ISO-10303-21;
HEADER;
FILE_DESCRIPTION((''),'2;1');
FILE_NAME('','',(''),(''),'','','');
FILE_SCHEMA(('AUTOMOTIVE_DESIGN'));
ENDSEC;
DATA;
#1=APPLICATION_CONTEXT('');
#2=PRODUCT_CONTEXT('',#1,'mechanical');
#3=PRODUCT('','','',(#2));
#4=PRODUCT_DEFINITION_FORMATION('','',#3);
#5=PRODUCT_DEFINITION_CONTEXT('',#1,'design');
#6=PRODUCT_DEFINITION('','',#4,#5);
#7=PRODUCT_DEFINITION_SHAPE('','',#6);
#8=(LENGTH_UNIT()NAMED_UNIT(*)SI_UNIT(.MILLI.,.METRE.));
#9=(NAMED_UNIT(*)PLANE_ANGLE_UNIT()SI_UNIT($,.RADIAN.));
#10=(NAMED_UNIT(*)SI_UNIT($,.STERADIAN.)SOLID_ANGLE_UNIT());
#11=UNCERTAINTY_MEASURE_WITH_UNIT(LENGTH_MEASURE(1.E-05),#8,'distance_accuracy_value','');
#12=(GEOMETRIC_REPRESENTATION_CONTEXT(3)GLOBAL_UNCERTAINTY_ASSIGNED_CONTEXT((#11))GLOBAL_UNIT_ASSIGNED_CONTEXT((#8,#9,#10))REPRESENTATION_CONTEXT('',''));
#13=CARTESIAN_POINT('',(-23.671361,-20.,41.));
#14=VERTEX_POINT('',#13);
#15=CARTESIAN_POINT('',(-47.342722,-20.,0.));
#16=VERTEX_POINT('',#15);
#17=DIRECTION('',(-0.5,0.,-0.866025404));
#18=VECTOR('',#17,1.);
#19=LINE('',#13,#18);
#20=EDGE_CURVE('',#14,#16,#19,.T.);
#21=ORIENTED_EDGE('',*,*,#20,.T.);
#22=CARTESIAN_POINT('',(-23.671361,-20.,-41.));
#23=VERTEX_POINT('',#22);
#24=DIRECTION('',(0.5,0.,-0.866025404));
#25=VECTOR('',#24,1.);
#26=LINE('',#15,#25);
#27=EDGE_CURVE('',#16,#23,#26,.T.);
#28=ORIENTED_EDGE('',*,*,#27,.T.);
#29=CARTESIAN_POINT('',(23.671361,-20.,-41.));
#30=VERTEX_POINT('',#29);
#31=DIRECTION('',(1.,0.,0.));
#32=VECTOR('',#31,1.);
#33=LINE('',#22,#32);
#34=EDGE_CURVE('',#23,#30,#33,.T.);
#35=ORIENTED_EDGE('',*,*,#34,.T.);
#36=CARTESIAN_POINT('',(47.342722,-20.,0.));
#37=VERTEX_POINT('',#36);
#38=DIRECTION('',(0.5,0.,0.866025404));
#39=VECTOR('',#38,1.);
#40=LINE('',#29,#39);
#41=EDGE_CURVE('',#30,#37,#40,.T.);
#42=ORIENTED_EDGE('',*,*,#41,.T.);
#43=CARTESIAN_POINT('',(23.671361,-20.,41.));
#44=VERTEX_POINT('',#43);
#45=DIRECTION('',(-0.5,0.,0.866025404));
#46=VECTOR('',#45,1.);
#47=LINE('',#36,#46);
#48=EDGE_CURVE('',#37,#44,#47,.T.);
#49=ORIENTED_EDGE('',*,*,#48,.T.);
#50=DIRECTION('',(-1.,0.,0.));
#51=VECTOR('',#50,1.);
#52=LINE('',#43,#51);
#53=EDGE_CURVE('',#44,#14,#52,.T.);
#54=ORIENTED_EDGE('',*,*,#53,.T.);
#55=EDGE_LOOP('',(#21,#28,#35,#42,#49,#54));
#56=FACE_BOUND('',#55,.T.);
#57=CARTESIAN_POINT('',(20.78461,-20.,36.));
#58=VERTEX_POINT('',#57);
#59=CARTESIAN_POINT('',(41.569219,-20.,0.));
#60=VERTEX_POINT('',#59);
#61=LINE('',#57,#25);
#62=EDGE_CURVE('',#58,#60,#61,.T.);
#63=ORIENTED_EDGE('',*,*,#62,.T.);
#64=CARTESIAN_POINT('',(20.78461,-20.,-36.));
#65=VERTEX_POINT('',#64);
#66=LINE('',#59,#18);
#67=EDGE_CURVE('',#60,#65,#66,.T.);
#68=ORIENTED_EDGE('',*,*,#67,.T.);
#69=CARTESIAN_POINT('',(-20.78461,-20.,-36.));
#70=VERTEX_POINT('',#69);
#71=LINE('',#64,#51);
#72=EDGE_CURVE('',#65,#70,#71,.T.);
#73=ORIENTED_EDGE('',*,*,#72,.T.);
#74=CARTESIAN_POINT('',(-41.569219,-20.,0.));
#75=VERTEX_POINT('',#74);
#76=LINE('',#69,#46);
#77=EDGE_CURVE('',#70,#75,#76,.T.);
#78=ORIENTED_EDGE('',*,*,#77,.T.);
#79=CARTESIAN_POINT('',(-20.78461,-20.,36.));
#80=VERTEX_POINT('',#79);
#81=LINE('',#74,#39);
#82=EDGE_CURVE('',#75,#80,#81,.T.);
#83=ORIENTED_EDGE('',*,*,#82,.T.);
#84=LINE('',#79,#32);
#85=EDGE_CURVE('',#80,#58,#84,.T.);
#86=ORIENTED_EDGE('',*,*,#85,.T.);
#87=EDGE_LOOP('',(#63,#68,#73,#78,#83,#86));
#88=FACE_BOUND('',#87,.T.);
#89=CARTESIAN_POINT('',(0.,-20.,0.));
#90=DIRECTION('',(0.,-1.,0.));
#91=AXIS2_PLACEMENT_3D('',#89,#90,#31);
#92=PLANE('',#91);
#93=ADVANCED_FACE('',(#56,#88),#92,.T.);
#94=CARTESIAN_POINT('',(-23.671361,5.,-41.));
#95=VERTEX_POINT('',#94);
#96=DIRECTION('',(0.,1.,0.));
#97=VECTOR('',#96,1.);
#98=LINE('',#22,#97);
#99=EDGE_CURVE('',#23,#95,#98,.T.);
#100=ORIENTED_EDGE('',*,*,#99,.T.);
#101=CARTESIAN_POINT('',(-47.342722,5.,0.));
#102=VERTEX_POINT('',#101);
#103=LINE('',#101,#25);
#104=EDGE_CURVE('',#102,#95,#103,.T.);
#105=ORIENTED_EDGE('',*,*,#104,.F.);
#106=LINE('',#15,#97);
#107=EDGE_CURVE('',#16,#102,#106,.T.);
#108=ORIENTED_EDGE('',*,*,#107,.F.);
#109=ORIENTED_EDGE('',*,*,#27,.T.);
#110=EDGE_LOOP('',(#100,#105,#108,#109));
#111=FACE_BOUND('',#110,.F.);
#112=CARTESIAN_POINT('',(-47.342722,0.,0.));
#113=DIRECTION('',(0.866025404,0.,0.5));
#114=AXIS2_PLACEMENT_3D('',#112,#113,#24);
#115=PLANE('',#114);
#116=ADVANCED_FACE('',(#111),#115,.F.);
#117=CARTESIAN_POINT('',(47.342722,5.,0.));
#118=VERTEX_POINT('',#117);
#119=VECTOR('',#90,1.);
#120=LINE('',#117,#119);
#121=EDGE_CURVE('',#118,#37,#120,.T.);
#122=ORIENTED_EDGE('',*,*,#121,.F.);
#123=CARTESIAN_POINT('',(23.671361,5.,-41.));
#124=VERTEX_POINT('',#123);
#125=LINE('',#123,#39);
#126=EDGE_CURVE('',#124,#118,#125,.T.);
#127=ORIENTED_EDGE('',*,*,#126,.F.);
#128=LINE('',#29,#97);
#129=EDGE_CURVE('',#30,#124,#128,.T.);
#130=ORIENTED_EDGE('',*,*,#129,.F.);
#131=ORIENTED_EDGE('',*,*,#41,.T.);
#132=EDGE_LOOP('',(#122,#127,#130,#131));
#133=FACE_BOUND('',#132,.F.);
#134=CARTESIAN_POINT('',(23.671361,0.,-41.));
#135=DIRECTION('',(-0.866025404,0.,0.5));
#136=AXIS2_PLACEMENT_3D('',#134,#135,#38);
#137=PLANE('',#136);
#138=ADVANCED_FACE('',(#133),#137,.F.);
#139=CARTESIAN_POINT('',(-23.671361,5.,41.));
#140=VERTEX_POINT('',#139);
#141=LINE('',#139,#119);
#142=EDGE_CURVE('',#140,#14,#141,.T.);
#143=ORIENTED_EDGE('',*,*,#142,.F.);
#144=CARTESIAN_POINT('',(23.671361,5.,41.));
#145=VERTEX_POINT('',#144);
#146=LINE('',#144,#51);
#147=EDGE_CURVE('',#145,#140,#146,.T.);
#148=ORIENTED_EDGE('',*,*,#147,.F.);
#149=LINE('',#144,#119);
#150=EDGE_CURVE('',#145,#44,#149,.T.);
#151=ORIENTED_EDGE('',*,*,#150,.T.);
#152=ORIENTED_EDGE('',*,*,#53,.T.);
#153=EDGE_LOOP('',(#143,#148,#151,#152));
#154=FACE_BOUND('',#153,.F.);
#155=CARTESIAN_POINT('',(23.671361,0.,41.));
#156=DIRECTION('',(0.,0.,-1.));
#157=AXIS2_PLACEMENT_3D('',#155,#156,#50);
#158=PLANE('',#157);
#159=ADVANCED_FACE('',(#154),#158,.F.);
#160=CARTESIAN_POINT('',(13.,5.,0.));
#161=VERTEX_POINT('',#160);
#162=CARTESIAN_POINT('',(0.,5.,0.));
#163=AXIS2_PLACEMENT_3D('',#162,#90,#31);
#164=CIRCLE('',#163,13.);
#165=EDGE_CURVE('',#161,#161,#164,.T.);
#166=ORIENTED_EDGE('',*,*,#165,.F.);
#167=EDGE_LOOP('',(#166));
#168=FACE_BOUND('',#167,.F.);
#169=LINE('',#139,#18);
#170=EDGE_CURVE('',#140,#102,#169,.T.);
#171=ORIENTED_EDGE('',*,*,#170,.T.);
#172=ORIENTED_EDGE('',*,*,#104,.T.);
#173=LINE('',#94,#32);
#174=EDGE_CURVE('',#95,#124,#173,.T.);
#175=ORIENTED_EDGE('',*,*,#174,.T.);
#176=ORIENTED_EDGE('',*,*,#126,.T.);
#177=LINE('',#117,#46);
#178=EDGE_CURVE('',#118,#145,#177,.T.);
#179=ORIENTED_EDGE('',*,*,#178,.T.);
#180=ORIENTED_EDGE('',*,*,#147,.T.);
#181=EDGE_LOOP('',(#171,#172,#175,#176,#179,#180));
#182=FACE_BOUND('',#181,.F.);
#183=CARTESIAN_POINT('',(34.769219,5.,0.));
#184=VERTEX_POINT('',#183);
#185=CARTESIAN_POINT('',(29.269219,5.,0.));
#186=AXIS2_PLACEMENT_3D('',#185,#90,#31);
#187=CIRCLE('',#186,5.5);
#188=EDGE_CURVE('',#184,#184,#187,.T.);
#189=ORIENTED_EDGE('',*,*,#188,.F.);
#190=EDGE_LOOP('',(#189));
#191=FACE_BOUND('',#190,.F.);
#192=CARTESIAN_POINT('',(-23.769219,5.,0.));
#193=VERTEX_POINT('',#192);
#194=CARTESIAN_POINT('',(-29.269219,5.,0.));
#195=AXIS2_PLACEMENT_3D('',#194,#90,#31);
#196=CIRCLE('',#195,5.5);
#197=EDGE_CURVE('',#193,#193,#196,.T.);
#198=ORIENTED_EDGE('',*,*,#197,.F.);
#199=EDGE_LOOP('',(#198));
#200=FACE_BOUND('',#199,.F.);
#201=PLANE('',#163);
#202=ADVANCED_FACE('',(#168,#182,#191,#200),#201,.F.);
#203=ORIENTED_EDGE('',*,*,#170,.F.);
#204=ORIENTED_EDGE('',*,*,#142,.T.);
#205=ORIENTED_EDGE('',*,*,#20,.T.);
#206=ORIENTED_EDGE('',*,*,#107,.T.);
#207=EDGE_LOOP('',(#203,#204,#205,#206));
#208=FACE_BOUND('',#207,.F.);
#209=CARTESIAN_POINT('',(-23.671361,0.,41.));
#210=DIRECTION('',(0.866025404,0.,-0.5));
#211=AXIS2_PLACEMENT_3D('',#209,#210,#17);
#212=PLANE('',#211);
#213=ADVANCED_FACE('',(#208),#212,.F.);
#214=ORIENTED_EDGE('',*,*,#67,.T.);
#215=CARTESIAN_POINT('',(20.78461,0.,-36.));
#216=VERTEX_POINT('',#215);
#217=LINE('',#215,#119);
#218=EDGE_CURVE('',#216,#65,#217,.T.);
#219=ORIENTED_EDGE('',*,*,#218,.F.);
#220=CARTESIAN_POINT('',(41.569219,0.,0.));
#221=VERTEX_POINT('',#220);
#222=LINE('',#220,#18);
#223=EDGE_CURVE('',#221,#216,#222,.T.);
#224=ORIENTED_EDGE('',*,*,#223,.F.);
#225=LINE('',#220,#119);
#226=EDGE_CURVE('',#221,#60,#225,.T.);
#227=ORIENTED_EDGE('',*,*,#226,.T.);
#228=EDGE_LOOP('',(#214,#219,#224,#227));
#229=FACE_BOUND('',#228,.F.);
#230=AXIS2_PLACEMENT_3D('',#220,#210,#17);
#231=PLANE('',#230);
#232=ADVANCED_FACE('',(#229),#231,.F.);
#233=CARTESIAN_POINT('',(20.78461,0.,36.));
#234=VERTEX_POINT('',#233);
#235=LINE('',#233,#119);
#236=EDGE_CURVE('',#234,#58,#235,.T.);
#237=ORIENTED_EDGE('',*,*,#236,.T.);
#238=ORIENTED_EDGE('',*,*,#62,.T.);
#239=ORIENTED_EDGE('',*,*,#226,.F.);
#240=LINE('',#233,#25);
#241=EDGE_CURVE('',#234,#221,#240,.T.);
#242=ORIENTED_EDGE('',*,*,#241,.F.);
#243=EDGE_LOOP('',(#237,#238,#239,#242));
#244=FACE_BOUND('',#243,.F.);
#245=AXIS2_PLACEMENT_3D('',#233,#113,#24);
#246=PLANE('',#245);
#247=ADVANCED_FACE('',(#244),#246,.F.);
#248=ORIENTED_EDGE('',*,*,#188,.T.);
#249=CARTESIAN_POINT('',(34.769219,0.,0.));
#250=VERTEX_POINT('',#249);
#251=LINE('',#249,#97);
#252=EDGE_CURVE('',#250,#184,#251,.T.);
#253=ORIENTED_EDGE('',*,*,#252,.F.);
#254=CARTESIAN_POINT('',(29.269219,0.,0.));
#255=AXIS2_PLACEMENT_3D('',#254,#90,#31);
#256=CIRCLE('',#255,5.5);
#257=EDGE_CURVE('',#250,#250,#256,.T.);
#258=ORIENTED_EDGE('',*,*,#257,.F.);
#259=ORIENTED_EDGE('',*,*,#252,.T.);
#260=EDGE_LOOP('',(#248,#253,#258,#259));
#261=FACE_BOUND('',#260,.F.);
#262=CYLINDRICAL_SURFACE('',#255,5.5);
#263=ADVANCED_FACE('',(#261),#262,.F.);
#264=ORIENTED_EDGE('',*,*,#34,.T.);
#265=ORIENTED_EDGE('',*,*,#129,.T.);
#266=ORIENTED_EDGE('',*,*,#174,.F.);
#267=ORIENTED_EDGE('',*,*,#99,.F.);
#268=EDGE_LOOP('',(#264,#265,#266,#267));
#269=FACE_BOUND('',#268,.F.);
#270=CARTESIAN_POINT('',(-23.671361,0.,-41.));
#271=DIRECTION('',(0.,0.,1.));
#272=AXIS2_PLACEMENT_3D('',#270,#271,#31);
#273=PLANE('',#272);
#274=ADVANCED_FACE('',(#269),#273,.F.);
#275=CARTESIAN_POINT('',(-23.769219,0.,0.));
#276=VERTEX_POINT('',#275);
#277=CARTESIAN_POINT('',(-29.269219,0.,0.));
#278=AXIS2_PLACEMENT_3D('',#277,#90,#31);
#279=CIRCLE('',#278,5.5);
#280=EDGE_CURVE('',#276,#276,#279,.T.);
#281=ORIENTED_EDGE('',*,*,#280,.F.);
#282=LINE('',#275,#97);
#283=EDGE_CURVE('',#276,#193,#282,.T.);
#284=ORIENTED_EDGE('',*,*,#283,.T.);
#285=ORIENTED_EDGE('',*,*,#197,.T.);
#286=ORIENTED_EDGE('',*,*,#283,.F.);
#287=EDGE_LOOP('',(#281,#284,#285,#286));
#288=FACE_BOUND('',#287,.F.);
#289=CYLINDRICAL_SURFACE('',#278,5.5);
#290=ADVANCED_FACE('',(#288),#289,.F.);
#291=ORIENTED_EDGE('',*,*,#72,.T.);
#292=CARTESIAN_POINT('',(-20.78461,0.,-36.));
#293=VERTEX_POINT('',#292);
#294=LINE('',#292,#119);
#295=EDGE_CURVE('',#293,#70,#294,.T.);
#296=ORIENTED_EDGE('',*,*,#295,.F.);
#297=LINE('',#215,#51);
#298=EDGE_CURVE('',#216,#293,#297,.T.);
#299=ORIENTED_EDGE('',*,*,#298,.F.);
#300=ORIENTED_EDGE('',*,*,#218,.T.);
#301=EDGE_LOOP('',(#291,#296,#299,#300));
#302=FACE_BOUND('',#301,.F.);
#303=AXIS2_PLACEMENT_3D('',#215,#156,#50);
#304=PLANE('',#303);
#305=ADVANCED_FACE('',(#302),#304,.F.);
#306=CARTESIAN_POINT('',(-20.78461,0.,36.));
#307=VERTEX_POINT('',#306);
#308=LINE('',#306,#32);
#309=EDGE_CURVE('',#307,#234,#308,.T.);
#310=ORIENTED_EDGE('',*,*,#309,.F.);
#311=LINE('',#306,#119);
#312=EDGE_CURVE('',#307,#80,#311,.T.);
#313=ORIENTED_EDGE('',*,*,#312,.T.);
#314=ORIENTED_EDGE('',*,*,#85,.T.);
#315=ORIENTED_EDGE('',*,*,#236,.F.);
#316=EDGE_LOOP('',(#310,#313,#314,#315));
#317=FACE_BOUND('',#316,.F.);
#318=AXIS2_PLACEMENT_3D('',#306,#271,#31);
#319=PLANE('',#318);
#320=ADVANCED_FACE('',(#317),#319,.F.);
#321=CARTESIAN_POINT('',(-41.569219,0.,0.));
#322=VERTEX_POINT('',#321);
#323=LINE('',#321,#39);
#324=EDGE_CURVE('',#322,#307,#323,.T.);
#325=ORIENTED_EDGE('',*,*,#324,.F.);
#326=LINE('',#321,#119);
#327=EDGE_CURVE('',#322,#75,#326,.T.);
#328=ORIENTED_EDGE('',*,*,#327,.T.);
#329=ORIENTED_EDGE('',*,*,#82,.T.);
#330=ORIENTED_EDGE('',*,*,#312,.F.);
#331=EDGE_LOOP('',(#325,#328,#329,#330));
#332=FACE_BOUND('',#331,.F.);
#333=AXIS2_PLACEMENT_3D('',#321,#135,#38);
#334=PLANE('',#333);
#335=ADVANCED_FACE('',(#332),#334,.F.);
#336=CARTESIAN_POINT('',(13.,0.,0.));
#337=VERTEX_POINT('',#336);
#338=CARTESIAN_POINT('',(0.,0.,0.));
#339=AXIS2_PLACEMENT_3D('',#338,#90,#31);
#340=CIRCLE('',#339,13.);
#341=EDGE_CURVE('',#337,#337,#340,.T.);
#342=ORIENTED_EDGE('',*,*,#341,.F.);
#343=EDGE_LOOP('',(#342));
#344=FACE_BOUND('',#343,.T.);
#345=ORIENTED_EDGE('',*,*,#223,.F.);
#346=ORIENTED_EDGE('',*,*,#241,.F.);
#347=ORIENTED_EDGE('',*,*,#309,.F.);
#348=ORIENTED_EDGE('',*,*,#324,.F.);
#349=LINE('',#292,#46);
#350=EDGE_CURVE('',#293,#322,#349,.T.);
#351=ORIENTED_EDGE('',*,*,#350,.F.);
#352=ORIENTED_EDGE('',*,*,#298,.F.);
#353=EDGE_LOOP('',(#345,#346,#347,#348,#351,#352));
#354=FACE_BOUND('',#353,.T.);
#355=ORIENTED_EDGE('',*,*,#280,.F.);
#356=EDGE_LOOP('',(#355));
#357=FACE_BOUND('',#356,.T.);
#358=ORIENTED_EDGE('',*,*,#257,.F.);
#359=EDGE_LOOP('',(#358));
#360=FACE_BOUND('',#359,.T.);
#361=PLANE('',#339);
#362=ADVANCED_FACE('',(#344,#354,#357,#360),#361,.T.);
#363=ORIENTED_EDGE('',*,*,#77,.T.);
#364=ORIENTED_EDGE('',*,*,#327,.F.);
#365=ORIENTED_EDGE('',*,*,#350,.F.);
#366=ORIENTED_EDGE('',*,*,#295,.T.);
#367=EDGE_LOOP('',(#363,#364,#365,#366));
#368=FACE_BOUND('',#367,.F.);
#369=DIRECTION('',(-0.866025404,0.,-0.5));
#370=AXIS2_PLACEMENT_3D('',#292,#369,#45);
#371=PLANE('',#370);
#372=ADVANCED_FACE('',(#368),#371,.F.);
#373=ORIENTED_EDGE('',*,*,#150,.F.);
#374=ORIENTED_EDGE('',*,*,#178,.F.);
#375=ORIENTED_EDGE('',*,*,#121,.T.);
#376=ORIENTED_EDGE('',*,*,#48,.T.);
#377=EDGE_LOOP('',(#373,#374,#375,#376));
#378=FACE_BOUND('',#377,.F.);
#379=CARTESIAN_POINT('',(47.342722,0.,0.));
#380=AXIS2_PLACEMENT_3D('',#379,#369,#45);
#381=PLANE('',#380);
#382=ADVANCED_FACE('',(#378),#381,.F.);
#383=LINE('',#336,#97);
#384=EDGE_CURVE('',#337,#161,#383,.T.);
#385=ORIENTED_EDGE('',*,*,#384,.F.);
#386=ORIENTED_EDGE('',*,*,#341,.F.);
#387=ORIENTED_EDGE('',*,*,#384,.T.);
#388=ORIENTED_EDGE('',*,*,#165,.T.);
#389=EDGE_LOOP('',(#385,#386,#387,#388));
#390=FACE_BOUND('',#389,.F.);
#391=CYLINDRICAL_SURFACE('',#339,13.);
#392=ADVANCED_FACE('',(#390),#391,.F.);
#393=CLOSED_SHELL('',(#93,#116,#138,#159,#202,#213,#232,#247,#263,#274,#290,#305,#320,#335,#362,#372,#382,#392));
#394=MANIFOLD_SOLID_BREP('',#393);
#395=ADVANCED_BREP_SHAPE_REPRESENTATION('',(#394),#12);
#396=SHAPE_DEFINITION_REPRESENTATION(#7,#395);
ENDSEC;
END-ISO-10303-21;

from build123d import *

# Parameters (mm, degrees)
F1_DEPTH = 5
F2_DEPTH = 20
F3_R     = 13
F4_DEPTH = 25
F5_R     = 5.5
F6_DEPTH = 25


with BuildPart() as f1:
    # F0 (on Front) → F1 (new body)
    with BuildSketch(Plane.XZ):
        Polygon((23.6713610368, -41), (47.3427220735, 0), (23.6713610368, 41), (-23.6713610368, 41), (-47.3427220735, 0), (-23.6713610368, -41), align=None)
        Polygon((20.7846096908, 36), (41.5692193817, 0), (20.7846096908, -36), (-20.7846096908, -36), (-41.5692193817, 0), (-20.7846096908, 36), align=None, mode=Mode.SUBTRACT)
        Polygon((20.7846096908, -36), (41.5692193817, 0), (20.7846096908, 36), (-20.7846096908, 36), (-41.5692193817, 0), (-20.7846096908, -36), align=None)
    extrude(amount=-F1_DEPTH)

    # F0 (on Front) → F2 (join)
    with BuildSketch(Plane.XZ):
        Polygon((23.6713610368, -41), (47.3427220735, 0), (23.6713610368, 41), (-23.6713610368, 41), (-47.3427220735, 0), (-23.6713610368, -41), align=None)
        Polygon((20.7846096908, 36), (41.5692193817, 0), (20.7846096908, -36), (-20.7846096908, -36), (-41.5692193817, 0), (-20.7846096908, 36), align=None, mode=Mode.SUBTRACT)
    extrude(amount=F2_DEPTH)

    # F3 (on face) → F4 (cut)
    with BuildSketch(Plane.XZ):
        Circle(F3_R)
    extrude(amount=-F4_DEPTH, mode=Mode.SUBTRACT)

    # F5 (on face) → F6 (cut)
    with BuildSketch(Plane.XZ):
        with Locations((29.2692193817, 0)):
            Circle(F5_R)
        with Locations((-29.2692193817, 0)):
            Circle(F5_R)
    extrude(amount=-F6_DEPTH, mode=Mode.SUBTRACT)


solid = f1.part
